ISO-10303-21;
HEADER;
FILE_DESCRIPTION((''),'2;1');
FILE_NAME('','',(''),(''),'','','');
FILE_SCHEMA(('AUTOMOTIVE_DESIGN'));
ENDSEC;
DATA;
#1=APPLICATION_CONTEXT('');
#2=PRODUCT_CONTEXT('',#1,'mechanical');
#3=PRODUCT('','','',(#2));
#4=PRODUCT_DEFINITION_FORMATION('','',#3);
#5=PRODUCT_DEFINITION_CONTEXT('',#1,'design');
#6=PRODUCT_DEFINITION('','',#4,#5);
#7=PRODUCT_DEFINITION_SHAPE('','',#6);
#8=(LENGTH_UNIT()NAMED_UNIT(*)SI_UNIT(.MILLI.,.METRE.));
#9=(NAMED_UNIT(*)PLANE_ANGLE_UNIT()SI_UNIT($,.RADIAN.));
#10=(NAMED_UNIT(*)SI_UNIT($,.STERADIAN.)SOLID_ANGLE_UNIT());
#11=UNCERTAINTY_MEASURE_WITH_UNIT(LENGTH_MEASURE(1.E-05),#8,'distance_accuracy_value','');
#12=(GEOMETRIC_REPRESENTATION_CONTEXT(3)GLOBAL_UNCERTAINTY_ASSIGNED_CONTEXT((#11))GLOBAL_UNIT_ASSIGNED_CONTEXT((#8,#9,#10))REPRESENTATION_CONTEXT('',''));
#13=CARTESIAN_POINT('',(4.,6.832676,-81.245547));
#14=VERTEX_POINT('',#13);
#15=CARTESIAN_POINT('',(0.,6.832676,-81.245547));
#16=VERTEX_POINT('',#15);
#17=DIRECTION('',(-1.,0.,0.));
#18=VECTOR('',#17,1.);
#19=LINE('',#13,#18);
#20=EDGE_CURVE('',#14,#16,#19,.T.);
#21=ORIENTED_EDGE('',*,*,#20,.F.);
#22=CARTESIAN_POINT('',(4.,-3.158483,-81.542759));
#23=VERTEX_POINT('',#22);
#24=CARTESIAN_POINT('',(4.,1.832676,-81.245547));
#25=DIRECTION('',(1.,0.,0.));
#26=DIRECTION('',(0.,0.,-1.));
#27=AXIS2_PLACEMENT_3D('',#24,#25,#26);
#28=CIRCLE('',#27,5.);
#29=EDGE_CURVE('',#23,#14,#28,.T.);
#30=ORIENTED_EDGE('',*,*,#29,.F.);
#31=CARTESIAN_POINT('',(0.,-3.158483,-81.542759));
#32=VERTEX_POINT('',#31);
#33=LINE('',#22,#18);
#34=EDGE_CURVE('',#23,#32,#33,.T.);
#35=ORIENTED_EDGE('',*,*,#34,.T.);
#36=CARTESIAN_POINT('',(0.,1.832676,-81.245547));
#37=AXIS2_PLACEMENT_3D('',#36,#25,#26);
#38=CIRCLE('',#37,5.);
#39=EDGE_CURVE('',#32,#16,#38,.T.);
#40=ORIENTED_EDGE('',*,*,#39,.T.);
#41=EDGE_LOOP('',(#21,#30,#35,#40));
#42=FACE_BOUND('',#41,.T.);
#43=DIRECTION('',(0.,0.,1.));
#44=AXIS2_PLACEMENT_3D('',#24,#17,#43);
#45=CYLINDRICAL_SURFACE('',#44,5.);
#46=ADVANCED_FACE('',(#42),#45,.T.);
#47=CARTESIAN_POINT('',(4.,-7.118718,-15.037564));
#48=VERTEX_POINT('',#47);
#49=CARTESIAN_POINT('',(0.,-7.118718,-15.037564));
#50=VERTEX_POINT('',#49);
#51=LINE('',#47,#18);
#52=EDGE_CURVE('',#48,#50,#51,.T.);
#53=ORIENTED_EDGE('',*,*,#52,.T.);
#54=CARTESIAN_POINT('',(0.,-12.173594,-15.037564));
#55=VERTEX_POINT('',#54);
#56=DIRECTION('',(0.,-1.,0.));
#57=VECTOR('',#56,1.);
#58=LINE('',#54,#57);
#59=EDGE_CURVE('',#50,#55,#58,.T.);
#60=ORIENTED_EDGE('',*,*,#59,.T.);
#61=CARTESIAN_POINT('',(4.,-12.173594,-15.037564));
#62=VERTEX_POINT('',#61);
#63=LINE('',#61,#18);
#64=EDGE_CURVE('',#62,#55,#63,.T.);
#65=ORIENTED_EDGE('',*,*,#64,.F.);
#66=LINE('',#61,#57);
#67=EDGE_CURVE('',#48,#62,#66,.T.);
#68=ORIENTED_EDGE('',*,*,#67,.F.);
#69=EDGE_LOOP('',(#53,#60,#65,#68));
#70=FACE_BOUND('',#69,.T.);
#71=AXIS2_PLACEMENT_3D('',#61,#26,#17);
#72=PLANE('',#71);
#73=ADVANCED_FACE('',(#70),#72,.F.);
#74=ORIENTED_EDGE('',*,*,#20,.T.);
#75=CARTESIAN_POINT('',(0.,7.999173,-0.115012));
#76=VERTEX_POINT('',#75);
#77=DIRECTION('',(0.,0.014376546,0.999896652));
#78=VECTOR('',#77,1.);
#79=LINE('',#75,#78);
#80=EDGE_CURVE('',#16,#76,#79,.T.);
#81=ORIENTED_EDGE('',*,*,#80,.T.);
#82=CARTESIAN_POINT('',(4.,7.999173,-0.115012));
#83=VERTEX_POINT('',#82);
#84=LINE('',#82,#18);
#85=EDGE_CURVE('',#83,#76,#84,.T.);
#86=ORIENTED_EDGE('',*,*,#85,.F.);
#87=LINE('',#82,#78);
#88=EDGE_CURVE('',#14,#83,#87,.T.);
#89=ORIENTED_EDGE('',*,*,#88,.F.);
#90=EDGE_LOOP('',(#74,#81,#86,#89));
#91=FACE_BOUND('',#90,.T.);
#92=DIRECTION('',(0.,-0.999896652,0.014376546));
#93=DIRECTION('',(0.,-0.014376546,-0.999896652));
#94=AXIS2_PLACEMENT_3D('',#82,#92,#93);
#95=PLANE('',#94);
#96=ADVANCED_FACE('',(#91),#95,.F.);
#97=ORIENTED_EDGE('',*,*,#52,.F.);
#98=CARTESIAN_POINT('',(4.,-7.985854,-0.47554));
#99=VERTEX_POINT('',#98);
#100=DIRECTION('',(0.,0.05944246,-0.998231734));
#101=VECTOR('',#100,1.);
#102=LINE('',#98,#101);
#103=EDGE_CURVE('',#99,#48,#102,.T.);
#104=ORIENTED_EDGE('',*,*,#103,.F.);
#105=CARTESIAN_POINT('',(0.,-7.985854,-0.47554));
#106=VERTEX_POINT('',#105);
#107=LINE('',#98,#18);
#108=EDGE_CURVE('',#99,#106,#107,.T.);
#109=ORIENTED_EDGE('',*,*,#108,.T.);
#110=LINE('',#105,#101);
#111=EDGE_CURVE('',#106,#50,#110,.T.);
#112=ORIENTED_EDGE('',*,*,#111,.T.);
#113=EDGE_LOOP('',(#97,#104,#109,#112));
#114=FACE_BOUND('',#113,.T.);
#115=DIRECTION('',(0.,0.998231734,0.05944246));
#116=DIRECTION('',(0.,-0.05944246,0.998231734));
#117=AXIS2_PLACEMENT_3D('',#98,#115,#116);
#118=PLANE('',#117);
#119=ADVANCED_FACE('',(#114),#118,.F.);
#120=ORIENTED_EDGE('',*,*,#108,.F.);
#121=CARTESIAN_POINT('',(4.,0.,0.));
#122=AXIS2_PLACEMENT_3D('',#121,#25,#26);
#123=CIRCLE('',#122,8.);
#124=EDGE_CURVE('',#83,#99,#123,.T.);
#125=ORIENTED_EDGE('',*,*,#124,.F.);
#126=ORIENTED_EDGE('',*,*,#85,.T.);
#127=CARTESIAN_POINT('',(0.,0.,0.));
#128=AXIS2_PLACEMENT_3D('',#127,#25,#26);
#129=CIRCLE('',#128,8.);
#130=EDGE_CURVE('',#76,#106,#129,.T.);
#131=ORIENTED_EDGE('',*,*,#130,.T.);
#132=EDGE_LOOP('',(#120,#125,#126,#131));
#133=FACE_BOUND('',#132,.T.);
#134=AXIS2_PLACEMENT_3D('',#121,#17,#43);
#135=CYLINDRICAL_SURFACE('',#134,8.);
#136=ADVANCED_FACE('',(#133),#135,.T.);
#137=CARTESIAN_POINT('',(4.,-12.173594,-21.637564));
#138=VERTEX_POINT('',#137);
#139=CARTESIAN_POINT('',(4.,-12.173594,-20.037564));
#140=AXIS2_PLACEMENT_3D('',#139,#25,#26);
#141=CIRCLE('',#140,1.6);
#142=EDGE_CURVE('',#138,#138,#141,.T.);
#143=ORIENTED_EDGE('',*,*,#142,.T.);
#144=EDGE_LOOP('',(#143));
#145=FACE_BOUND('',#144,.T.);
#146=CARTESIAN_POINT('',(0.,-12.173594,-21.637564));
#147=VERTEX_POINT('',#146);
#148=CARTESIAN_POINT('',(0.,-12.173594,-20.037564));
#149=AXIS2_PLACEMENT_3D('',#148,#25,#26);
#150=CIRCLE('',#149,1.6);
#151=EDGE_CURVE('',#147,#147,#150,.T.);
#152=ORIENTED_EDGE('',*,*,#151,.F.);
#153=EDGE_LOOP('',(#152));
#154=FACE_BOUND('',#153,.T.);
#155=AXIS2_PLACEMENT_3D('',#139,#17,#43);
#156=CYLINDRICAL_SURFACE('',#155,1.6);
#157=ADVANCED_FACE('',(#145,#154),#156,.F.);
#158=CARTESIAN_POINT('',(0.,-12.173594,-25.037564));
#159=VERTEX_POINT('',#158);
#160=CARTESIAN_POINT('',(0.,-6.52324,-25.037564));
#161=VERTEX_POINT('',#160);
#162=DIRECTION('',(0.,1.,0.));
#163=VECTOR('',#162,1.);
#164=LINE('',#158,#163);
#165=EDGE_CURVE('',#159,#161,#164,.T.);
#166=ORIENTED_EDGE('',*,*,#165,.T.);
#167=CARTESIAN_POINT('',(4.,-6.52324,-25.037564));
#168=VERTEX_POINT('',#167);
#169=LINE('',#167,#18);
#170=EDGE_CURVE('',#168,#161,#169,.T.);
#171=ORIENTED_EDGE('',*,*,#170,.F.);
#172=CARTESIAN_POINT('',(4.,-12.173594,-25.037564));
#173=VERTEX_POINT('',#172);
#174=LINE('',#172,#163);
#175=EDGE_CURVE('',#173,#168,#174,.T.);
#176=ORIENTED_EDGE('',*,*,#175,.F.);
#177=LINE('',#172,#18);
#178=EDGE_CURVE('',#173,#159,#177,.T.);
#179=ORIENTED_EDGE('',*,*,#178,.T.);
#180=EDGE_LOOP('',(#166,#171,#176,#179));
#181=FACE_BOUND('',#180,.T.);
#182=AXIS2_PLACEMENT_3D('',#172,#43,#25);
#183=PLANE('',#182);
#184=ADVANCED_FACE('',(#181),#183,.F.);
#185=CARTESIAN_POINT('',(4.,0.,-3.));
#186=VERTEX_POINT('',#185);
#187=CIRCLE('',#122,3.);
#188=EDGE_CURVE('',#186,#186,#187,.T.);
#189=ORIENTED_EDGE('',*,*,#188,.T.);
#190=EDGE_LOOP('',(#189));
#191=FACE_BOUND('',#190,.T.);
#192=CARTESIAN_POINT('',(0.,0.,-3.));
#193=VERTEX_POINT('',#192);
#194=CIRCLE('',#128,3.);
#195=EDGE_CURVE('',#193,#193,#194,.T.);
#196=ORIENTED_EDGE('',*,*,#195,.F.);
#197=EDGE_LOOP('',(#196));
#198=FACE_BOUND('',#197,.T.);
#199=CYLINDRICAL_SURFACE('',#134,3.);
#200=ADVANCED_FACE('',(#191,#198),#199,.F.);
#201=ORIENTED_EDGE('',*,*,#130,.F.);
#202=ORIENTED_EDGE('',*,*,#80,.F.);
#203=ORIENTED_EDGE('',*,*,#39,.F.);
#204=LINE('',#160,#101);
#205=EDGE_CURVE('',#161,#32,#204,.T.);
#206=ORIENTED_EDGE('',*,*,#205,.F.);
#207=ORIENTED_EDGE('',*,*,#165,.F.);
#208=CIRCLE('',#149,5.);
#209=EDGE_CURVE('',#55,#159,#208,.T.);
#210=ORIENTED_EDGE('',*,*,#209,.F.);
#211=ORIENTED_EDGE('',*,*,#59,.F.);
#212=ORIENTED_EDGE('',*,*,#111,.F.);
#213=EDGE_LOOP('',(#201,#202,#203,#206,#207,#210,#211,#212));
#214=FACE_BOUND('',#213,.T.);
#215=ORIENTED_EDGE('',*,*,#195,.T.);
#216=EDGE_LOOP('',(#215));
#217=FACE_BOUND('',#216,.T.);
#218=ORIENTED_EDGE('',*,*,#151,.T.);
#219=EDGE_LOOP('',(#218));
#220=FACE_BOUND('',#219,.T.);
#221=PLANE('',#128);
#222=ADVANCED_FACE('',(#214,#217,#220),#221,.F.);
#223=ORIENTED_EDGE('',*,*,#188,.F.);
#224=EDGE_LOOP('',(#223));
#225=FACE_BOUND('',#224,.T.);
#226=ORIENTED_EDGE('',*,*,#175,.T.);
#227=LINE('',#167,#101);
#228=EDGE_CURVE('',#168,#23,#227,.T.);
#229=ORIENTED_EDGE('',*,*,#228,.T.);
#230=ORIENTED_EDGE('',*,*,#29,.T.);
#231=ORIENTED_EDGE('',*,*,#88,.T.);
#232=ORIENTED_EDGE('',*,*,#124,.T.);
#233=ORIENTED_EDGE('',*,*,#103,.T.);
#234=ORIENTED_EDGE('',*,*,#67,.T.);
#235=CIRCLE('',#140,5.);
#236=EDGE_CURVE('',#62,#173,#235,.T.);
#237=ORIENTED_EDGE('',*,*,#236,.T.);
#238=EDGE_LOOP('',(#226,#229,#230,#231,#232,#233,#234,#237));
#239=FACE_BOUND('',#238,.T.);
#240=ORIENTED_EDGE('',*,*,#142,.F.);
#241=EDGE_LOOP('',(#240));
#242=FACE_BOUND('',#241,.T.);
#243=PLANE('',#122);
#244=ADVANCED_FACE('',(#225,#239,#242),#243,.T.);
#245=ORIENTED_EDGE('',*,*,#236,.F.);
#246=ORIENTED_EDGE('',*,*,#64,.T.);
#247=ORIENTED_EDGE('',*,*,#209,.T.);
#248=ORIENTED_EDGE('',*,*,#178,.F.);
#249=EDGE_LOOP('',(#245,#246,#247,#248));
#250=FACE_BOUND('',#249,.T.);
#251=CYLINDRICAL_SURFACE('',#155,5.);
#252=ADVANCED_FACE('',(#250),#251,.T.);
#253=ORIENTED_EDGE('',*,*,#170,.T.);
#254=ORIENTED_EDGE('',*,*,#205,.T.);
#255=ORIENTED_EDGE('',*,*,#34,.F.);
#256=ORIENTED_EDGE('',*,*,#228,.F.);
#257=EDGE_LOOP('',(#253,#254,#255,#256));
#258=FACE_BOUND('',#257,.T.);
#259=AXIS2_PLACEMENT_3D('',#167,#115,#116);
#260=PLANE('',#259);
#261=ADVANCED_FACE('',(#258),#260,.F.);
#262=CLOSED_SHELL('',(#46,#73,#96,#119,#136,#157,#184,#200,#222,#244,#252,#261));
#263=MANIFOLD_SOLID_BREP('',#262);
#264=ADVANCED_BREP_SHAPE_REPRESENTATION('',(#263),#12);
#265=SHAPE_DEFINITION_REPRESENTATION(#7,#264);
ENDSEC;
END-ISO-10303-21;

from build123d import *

# Parameters (mm, degrees)
SKETCH1_R           = 1.6
SKETCH1_R_2         = 3
BOSS_EXTRUDE1_DEPTH = 4


with BuildPart() as part:
    # Sketch1 → Boss-Extrude1 (new body)
    with BuildSketch(Plane(origin=(0, 0, 0), x_dir=(0, 0, -1), z_dir=(1, 0, 0))):
        with BuildLine():
            Line((0.115012364, 7.999173217), (81.245547141, 6.832675837))
            ThreePointArc((81.245547141, 6.832675837), (86.243336319, 1.981347724), (81.54275944, -3.158482831))
            Line((81.54275944, -3.158482831), (25.037563857, -6.523240441))
            Line((25.037563857, -6.523240441), (25.037563857, -12.17359421))
            ThreePointArc((25.037563857, -12.17359421), (20.037563857, -17.17359421), (15.037563857, -12.17359421))
            Line((15.037563857, -12.17359421), (15.037563857, -7.118718003))
            Line((15.037563857, -7.118718003), (0.475539679, -7.985853869))
            ThreePointArc((0.475539679, -7.985853869), (-7.997966033, -0.180386633), (0.115012364, 7.999173217))
        make_face()
        with Locations((20.037563857, -12.17359421)):
            Circle(SKETCH1_R, mode=Mode.SUBTRACT)
        Circle(SKETCH1_R_2, mode=Mode.SUBTRACT)
    extrude(amount=BOSS_EXTRUDE1_DEPTH)


solid = part.part
